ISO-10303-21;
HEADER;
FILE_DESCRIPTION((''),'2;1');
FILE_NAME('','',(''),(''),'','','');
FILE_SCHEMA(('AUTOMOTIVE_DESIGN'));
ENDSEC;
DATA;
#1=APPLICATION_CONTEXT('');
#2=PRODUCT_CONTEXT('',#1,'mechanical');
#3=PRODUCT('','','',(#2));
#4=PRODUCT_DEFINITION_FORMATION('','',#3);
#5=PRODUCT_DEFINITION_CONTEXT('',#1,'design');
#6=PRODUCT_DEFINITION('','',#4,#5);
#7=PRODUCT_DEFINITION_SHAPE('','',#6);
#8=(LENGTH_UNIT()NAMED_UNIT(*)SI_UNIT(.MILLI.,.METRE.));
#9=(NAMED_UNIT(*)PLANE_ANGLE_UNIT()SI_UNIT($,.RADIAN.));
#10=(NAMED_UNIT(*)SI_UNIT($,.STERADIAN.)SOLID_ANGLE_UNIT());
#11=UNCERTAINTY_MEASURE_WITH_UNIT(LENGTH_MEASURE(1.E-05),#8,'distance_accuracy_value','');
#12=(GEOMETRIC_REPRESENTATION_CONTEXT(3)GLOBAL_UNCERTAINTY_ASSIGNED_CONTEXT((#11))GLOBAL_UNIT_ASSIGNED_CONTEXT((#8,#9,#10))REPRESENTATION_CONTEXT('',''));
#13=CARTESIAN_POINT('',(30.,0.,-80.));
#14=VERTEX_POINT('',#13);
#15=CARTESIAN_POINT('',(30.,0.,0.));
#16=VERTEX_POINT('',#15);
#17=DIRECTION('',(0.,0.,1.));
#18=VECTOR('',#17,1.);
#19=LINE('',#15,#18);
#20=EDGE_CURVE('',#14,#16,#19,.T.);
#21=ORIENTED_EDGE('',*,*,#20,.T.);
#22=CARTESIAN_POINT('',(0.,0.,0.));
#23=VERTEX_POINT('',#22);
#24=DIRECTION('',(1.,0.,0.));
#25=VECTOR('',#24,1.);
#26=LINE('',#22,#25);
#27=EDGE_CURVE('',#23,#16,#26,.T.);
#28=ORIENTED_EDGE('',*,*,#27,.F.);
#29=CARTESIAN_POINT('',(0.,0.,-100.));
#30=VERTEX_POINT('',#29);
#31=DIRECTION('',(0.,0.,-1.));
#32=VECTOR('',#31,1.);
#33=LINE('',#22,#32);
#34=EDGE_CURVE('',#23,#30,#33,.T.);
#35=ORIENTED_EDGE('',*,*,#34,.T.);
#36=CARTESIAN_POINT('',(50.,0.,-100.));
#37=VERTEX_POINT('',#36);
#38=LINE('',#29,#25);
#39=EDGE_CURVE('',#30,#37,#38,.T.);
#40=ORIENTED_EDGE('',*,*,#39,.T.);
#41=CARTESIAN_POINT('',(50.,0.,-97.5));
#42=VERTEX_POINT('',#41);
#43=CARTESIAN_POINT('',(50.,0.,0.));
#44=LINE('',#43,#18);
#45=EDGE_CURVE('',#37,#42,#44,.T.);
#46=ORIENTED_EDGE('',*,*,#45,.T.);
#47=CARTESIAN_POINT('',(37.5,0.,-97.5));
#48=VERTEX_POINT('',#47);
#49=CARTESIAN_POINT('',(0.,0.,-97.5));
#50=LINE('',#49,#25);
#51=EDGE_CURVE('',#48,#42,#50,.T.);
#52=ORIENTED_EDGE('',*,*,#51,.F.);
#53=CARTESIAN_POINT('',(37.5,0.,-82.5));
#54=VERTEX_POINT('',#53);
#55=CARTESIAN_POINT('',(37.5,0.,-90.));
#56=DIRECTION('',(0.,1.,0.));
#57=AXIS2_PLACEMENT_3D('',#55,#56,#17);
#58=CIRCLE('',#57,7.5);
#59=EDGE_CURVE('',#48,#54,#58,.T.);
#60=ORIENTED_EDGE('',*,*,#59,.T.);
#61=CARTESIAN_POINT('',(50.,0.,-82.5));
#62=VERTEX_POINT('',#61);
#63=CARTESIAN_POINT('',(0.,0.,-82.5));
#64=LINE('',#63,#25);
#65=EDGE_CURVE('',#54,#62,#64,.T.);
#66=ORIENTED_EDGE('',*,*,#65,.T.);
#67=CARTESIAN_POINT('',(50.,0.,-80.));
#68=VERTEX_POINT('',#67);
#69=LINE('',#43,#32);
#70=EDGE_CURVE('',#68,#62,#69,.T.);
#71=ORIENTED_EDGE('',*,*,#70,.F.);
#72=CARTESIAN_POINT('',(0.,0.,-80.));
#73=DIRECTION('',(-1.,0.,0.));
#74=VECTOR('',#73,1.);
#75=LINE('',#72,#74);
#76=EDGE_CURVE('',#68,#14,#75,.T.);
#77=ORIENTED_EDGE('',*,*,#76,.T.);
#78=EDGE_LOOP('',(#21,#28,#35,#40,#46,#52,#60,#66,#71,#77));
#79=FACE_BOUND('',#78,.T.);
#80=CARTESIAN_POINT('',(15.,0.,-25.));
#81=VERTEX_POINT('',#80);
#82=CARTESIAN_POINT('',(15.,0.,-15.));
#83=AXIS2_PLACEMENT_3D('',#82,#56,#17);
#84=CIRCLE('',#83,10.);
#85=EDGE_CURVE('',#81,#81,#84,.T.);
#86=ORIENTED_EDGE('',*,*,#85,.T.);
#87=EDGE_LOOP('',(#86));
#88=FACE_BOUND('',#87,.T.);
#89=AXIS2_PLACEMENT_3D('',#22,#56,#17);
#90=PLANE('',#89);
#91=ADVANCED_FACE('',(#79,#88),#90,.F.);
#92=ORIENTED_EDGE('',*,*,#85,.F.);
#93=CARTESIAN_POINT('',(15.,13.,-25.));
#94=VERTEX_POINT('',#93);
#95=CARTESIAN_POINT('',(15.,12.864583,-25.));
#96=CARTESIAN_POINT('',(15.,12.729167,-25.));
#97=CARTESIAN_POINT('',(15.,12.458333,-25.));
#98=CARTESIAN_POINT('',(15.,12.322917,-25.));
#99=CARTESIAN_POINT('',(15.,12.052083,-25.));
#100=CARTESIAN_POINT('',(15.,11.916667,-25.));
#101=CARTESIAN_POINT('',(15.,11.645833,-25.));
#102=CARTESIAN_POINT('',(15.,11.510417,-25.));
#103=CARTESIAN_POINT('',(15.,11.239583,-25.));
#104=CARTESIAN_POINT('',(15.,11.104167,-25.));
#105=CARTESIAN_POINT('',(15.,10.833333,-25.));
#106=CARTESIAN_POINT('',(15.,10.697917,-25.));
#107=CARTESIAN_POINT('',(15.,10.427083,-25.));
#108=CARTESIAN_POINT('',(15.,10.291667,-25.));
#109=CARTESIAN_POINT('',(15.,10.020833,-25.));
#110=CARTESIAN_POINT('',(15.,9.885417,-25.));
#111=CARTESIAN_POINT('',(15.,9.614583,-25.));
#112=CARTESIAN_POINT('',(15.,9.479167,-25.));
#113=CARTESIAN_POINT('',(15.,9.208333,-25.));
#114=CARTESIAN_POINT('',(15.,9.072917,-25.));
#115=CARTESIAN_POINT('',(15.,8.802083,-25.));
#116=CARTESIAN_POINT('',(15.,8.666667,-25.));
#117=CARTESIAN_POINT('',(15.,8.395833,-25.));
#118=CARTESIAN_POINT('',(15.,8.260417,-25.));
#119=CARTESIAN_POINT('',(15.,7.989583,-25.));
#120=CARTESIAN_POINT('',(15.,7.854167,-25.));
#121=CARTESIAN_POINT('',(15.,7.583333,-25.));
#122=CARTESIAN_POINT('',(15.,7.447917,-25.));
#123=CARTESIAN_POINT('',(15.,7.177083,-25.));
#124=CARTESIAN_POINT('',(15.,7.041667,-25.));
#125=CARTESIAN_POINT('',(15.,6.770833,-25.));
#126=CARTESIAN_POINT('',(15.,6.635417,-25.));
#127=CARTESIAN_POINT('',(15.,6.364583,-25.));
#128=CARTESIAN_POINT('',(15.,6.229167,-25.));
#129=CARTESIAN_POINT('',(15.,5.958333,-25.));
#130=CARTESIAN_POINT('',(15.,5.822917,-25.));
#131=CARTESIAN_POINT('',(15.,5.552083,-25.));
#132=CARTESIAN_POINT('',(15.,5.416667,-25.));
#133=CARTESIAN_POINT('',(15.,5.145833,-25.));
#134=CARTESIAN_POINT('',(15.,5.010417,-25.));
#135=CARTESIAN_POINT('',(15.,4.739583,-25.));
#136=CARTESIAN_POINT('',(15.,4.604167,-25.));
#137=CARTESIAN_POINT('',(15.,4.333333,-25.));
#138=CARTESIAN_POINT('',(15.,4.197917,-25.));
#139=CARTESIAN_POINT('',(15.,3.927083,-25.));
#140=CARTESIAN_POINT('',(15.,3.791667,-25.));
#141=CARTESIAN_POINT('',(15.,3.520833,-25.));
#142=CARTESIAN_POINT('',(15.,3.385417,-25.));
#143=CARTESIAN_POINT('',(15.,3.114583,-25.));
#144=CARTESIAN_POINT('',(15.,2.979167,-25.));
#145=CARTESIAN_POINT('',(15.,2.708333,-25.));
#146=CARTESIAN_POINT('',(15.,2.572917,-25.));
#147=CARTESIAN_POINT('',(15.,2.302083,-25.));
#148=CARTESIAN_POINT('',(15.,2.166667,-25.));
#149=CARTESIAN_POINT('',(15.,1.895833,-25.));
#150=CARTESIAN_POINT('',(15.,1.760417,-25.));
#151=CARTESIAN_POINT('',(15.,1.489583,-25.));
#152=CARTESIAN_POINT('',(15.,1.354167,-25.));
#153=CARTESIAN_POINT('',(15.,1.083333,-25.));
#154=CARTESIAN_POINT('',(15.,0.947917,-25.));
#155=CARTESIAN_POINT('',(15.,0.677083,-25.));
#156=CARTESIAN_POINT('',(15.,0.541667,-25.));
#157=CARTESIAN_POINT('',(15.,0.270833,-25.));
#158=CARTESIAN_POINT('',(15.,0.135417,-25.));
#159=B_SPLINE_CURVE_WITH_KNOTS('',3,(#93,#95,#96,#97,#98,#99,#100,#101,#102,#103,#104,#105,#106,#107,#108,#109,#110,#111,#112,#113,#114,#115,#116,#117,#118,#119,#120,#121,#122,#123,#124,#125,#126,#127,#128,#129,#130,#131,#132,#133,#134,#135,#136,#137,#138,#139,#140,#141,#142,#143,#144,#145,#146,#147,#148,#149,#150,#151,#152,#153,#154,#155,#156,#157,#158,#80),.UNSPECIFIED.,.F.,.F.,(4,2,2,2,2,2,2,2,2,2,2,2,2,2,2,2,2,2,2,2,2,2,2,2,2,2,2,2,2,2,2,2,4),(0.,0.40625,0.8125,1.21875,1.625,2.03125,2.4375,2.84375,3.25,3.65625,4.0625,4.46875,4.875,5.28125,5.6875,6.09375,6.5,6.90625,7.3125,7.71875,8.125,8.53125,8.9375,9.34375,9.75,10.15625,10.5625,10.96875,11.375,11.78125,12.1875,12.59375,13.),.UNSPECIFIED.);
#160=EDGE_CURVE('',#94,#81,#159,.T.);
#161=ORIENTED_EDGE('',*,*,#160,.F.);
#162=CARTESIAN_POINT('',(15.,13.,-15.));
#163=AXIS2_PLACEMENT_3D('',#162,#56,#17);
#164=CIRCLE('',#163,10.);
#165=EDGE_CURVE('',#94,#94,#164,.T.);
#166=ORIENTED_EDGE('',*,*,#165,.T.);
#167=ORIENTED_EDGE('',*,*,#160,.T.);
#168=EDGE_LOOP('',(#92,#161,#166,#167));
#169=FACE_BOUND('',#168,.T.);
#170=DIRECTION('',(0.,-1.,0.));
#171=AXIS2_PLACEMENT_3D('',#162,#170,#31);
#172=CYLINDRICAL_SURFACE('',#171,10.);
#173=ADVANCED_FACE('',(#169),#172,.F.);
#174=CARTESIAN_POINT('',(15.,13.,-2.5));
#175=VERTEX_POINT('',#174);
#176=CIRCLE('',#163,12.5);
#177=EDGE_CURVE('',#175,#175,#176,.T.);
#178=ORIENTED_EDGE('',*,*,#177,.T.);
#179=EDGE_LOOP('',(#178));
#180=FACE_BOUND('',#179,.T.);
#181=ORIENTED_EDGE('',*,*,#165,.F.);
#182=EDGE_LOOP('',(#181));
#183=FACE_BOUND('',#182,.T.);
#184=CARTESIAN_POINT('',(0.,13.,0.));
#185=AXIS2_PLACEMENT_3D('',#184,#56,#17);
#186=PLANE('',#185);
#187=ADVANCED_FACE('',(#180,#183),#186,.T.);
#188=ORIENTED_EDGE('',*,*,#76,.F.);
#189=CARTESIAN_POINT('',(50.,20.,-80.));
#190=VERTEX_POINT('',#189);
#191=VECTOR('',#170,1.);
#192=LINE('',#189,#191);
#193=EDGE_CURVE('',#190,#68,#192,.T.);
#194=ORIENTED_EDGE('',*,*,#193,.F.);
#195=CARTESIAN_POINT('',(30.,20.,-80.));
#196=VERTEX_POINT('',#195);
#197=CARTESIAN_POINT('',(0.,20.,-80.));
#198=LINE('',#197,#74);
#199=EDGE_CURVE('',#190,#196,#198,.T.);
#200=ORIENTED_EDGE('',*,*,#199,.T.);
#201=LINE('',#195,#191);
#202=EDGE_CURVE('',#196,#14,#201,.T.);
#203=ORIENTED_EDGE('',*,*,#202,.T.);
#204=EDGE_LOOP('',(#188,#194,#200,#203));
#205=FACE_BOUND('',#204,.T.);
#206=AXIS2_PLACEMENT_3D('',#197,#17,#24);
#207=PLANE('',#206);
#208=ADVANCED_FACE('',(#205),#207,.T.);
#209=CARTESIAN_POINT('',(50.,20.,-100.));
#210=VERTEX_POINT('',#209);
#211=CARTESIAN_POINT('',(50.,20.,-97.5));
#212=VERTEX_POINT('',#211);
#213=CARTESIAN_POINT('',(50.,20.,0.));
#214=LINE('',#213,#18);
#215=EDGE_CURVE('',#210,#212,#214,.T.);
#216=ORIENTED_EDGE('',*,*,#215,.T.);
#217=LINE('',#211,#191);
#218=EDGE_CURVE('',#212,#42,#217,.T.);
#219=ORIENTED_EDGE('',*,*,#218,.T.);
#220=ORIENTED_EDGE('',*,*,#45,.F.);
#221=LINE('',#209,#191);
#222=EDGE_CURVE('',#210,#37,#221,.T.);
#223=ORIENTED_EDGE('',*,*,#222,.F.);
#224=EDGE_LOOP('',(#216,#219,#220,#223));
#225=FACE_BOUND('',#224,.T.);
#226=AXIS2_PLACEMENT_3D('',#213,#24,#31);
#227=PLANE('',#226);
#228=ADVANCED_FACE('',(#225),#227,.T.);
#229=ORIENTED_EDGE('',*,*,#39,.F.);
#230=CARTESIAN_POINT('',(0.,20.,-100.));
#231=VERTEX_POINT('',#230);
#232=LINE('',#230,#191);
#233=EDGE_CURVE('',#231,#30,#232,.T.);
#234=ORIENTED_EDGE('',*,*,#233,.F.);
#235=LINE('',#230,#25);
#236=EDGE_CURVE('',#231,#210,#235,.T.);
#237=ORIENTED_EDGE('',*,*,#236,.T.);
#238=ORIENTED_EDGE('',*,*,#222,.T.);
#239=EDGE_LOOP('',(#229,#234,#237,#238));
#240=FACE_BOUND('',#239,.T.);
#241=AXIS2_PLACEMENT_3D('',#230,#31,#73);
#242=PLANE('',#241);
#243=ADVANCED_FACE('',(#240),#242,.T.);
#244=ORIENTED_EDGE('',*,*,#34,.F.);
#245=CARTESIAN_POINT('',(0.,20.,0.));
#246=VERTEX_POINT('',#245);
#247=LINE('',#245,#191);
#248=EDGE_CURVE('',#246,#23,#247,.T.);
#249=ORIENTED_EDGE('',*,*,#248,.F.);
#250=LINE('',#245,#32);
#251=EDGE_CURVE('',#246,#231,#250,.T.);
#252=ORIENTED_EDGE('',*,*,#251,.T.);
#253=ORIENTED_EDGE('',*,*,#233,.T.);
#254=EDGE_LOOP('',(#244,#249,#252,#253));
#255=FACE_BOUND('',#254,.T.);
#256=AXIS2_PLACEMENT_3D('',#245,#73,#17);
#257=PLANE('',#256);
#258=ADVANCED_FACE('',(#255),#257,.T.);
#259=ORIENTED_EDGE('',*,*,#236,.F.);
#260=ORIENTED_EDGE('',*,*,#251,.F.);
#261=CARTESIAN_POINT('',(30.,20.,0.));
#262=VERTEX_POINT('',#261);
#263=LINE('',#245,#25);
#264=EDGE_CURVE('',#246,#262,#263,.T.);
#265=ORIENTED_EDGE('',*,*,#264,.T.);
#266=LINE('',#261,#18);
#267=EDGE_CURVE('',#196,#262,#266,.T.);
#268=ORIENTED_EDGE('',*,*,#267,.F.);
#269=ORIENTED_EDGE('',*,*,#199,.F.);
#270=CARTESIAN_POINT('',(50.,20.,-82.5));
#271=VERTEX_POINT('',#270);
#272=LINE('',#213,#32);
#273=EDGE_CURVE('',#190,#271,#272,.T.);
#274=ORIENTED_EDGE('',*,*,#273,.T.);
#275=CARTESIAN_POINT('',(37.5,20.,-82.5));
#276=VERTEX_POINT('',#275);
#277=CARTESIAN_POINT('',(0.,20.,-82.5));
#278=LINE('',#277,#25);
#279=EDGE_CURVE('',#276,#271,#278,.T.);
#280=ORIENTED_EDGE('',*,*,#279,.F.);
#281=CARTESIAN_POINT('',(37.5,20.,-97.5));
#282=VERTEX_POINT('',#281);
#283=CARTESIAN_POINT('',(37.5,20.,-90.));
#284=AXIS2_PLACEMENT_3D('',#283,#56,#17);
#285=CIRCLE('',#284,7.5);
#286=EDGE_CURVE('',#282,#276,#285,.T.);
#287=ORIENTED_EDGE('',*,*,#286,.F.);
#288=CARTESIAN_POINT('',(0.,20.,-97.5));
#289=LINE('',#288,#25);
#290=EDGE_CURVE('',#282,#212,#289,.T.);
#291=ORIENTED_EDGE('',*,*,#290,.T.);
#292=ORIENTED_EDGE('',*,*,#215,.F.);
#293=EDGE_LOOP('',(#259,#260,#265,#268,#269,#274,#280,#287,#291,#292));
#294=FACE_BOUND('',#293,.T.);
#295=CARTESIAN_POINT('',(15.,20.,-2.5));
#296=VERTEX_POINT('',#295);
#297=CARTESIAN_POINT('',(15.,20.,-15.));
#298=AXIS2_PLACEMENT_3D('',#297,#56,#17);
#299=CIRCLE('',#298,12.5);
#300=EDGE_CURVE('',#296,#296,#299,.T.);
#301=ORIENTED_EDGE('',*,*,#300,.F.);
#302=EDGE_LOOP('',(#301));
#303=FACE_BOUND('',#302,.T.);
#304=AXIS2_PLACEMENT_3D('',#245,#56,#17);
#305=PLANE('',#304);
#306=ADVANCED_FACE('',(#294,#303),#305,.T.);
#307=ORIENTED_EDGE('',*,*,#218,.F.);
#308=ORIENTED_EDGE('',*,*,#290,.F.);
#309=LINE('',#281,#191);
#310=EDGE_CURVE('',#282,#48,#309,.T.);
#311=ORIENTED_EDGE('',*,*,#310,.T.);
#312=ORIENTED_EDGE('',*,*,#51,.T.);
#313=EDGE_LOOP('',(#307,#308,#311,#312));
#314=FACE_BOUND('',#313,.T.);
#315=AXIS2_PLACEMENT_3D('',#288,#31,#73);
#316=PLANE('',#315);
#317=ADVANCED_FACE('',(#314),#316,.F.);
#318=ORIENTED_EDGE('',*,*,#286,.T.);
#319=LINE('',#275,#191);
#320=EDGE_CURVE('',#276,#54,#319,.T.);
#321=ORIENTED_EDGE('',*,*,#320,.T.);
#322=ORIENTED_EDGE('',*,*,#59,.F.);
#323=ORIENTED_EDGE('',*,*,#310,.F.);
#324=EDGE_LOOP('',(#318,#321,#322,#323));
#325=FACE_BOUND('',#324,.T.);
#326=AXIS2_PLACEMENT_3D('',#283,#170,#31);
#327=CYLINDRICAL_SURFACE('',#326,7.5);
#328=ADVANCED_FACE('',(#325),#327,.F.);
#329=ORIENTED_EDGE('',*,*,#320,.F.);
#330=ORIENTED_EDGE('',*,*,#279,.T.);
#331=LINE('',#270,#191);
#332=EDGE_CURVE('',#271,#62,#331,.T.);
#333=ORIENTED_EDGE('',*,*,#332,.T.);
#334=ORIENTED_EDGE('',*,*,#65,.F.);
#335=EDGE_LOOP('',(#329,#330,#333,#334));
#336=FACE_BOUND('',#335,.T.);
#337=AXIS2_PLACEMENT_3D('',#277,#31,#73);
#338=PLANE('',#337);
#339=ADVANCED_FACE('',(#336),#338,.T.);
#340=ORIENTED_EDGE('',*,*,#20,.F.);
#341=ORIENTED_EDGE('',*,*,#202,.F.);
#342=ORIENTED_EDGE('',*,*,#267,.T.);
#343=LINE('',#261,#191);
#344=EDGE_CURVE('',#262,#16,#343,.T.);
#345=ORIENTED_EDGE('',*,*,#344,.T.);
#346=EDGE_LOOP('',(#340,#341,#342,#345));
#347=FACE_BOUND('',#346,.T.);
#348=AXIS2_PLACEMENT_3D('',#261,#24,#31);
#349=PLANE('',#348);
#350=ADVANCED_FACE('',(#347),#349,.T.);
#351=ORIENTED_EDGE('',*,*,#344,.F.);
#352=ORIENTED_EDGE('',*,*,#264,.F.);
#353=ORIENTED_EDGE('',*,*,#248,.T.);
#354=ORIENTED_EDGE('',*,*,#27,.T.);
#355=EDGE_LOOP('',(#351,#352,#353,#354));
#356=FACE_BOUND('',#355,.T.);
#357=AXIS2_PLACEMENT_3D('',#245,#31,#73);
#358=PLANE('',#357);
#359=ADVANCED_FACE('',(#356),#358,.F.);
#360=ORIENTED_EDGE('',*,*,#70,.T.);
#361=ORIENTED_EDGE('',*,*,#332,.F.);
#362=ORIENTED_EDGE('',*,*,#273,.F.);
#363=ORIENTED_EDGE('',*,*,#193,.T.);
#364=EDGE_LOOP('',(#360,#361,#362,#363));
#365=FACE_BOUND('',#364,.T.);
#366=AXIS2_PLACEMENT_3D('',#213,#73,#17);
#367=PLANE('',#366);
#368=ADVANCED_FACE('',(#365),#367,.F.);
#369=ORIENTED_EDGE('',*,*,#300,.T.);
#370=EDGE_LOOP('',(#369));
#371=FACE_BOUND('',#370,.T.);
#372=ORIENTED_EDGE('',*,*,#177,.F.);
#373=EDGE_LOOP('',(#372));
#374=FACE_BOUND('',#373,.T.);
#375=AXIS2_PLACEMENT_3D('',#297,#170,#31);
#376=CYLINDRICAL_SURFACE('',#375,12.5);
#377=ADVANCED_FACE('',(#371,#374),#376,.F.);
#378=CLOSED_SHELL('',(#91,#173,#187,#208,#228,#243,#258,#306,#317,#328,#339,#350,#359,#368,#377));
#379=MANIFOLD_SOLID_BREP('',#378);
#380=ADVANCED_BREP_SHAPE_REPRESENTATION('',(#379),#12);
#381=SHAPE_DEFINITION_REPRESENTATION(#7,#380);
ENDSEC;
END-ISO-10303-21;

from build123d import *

# Parameters (mm, degrees)
SKETCH1_R           = 12.5
BOSS_EXTRUDE1_DEPTH = 20
SKETCH1_4_R         = 12.5
SKETCH1_4_R_2       = 10
BOSS_EXTRUDE2_DEPTH = 13


with BuildPart() as part:
    # Sketch1 → Boss-Extrude1 (new body)
    with BuildSketch(Plane(origin=(0, 0, 0), x_dir=(1, 0, 0), z_dir=(0, 1, 0))):
        with BuildLine():
            ThreePointArc((37.5, 82.5), (30, 90), (37.5, 97.5))
            Line((37.5, 97.5), (50, 97.5))
            Line((50, 97.5), (50, 100))
            Line((50, 100), (30, 100))
            Line((30, 100), (0, 100))
            Line((0, 100), (0, 0))
            Line((0, 0), (30, 0))
            Line((30, 0), (30, 80))
            Line((30, 80), (50, 80))
            Line((50, 80), (50, 82.5))
            Line((50, 82.5), (37.5, 82.5))
        make_face()
        with Locations((15, 15)):
            Circle(SKETCH1_R, mode=Mode.SUBTRACT)
    extrude(amount=BOSS_EXTRUDE1_DEPTH)

    # Sketch1<4> → Boss-Extrude2 (add)
    with BuildSketch(Plane(origin=(0, 0, 0), x_dir=(1, 0, 0), z_dir=(0, 1, 0))):
        with Locations((15, 15)):
            Circle(SKETCH1_4_R)
        with Locations((15, 15)):
            Circle(SKETCH1_4_R_2, mode=Mode.SUBTRACT)
    extrude(amount=BOSS_EXTRUDE2_DEPTH)


solid = part.part
